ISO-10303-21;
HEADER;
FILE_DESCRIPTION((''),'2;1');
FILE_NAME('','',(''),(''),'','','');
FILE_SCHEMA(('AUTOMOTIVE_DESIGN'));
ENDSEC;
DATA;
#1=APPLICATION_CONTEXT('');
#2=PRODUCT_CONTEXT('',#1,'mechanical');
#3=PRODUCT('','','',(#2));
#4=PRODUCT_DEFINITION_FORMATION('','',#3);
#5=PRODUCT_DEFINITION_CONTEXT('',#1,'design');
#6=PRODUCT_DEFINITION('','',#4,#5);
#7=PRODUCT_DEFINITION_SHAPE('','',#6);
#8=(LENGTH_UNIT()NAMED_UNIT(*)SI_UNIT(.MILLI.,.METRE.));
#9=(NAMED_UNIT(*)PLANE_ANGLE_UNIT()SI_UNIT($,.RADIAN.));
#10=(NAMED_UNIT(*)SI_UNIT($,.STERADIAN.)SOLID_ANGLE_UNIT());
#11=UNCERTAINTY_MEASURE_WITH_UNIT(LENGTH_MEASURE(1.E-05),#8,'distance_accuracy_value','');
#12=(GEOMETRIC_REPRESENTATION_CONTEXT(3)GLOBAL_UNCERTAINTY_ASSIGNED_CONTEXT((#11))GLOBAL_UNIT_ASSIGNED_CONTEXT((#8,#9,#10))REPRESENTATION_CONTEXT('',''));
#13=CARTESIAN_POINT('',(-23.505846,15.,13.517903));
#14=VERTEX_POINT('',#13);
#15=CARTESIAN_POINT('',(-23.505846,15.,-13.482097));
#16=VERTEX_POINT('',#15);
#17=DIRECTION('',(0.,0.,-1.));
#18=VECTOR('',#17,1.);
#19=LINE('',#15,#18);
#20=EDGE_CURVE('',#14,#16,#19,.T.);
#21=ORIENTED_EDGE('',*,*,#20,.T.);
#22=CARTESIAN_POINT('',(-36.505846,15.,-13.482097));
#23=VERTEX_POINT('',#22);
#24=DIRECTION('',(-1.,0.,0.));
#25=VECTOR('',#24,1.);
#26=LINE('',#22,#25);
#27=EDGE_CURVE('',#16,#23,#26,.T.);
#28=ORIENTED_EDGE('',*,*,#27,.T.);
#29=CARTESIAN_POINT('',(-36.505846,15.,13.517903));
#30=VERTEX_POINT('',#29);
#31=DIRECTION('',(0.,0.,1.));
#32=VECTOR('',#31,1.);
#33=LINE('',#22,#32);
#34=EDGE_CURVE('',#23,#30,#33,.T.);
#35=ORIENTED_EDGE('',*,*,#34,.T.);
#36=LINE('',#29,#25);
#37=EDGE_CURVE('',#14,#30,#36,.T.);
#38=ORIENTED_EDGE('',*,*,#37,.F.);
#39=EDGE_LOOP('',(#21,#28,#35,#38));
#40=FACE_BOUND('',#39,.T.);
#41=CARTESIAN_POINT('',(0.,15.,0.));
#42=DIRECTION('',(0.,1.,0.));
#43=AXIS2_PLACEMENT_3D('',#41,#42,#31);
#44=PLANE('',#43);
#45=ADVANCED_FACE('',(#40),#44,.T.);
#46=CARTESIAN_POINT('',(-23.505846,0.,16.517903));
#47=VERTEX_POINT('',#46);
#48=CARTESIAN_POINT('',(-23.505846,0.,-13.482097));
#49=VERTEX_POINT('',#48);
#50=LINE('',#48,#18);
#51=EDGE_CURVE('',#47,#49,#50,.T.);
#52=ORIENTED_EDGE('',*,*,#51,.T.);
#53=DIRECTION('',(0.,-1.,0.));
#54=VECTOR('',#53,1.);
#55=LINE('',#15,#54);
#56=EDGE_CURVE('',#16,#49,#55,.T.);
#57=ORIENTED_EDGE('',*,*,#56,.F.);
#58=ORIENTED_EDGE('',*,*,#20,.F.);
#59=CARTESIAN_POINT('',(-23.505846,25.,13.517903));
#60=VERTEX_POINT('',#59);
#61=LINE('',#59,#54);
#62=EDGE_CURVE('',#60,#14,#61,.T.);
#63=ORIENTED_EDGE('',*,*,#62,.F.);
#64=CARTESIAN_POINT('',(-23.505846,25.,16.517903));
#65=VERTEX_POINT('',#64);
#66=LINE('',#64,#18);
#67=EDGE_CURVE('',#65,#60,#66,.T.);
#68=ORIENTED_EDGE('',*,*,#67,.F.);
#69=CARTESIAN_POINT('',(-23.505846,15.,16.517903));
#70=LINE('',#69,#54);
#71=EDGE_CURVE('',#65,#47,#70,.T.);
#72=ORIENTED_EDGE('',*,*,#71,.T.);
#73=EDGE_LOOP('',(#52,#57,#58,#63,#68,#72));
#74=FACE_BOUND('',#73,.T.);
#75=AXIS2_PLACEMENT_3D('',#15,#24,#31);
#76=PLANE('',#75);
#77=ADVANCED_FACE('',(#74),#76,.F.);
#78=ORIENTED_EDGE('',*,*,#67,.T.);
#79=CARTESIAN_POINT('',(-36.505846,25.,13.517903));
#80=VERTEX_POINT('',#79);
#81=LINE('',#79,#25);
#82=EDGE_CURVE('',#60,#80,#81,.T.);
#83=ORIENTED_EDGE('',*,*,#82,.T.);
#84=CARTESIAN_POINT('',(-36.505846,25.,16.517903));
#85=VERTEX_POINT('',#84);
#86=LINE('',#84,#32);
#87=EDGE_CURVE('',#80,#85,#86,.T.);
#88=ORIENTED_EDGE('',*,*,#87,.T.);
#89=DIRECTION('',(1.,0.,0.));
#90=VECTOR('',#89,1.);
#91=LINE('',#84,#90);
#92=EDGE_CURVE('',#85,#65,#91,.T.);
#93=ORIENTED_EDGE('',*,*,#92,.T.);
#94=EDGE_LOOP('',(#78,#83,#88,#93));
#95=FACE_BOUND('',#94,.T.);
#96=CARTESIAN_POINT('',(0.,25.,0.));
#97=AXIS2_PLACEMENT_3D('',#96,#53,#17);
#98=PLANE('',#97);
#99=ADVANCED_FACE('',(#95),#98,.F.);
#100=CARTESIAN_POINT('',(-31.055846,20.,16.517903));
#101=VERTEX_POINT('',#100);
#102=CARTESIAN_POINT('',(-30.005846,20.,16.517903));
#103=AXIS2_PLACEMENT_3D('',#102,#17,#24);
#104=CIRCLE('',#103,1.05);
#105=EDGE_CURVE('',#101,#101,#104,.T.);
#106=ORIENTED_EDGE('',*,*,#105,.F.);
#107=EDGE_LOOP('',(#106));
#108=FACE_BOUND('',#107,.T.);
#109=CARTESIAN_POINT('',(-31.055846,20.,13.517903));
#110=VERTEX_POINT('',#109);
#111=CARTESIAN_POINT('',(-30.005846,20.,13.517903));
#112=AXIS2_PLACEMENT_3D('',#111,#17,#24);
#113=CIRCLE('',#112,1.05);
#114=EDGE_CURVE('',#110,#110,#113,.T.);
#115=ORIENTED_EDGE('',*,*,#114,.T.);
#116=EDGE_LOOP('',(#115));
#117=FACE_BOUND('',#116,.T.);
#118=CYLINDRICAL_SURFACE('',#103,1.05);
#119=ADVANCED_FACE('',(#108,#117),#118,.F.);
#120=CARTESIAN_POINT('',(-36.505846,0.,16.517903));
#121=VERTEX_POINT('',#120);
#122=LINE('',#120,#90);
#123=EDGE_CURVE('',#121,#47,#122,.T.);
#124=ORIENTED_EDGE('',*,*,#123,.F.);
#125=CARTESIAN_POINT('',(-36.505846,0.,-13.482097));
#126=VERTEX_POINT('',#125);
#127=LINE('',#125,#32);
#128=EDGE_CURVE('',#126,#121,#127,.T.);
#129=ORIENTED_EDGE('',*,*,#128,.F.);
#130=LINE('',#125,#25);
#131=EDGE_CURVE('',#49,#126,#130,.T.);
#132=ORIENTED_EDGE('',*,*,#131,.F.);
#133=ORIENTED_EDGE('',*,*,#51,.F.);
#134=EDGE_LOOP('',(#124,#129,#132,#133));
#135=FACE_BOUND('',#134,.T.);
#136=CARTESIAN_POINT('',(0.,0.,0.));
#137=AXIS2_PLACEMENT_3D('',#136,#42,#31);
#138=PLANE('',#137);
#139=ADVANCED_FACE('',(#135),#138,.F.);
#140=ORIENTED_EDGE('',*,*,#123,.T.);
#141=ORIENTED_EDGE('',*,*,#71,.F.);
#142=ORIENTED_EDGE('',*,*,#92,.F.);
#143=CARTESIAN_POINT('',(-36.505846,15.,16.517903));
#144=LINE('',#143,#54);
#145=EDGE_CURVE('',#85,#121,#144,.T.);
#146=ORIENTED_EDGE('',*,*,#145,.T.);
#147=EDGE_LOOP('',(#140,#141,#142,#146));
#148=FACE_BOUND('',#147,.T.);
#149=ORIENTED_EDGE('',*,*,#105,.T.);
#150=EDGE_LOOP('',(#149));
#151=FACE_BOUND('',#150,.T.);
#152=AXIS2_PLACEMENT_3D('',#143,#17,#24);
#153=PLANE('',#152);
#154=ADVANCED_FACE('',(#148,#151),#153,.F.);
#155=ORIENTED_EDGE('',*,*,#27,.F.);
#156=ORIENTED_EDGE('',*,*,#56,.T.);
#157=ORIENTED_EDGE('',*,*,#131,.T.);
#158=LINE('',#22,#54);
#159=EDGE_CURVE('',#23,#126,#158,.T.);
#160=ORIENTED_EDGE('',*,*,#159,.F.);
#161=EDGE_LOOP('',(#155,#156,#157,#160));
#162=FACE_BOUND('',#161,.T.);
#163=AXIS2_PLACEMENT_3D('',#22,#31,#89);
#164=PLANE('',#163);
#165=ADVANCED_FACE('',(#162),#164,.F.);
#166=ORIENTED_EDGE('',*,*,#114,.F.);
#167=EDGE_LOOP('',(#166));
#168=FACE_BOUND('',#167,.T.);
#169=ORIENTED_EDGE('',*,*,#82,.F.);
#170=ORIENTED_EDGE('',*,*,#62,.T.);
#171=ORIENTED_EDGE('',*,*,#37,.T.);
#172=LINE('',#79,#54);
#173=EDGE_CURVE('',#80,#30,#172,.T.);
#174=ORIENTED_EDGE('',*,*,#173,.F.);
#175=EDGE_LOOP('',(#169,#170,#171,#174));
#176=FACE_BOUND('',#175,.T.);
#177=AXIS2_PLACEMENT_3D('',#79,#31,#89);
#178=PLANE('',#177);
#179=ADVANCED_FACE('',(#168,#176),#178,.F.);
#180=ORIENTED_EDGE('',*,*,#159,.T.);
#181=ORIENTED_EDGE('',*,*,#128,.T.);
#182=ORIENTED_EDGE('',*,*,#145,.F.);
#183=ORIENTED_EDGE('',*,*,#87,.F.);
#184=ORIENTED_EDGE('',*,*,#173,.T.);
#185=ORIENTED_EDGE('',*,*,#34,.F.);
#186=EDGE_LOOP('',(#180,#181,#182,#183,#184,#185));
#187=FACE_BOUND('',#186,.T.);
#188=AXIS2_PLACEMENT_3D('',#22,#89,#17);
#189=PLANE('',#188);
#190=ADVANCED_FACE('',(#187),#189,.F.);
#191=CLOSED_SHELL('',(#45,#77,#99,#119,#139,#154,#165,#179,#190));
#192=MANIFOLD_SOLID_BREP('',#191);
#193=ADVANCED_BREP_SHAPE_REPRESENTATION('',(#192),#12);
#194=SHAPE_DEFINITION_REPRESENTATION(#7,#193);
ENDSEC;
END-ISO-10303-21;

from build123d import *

# Parameters (mm, degrees)
SKETCH1_W           = 13
SKETCH1_H           = 30
BOSS_EXTRUDE1_DEPTH = 15
SKETCH2_W           = 13
SKETCH2_H           = 3
BOSS_EXTRUDE2_DEPTH = 10
SKETCH3_R           = 1.05
CUT_EXTRUDE1_DEPTH  = 52.833163371


with BuildPart() as part:
    # Sketch1 → Boss-Extrude1 (new body)
    with BuildSketch(Plane(origin=(0, 0, 0), x_dir=(1, 0, 0), z_dir=(0, 1, 0))):
        with Locations((-30.005846449, -1.517902626)):
            Rectangle(SKETCH1_W, SKETCH1_H)
    extrude(amount=BOSS_EXTRUDE1_DEPTH)

    # Sketch2 → Boss-Extrude2 (add)
    with BuildSketch(Plane(origin=(0, 15, 0), x_dir=(1, 0, 0), z_dir=(0, 1, 0))):
        with Locations((-30.005846449, -15.017902626)):
            Rectangle(SKETCH2_W, SKETCH2_H)
    extrude(amount=BOSS_EXTRUDE2_DEPTH)

    # Sketch3 → Cut-Extrude1 (cut, through all)
    with BuildSketch(Plane(origin=(0, 0, 13.517902626), x_dir=(-1, 0, 0), z_dir=(0, 0, -1))):
        with Locations((30.005846449, 20)):
            Circle(SKETCH3_R)
    extrude(amount=-CUT_EXTRUDE1_DEPTH, mode=Mode.SUBTRACT)


solid = part.part
